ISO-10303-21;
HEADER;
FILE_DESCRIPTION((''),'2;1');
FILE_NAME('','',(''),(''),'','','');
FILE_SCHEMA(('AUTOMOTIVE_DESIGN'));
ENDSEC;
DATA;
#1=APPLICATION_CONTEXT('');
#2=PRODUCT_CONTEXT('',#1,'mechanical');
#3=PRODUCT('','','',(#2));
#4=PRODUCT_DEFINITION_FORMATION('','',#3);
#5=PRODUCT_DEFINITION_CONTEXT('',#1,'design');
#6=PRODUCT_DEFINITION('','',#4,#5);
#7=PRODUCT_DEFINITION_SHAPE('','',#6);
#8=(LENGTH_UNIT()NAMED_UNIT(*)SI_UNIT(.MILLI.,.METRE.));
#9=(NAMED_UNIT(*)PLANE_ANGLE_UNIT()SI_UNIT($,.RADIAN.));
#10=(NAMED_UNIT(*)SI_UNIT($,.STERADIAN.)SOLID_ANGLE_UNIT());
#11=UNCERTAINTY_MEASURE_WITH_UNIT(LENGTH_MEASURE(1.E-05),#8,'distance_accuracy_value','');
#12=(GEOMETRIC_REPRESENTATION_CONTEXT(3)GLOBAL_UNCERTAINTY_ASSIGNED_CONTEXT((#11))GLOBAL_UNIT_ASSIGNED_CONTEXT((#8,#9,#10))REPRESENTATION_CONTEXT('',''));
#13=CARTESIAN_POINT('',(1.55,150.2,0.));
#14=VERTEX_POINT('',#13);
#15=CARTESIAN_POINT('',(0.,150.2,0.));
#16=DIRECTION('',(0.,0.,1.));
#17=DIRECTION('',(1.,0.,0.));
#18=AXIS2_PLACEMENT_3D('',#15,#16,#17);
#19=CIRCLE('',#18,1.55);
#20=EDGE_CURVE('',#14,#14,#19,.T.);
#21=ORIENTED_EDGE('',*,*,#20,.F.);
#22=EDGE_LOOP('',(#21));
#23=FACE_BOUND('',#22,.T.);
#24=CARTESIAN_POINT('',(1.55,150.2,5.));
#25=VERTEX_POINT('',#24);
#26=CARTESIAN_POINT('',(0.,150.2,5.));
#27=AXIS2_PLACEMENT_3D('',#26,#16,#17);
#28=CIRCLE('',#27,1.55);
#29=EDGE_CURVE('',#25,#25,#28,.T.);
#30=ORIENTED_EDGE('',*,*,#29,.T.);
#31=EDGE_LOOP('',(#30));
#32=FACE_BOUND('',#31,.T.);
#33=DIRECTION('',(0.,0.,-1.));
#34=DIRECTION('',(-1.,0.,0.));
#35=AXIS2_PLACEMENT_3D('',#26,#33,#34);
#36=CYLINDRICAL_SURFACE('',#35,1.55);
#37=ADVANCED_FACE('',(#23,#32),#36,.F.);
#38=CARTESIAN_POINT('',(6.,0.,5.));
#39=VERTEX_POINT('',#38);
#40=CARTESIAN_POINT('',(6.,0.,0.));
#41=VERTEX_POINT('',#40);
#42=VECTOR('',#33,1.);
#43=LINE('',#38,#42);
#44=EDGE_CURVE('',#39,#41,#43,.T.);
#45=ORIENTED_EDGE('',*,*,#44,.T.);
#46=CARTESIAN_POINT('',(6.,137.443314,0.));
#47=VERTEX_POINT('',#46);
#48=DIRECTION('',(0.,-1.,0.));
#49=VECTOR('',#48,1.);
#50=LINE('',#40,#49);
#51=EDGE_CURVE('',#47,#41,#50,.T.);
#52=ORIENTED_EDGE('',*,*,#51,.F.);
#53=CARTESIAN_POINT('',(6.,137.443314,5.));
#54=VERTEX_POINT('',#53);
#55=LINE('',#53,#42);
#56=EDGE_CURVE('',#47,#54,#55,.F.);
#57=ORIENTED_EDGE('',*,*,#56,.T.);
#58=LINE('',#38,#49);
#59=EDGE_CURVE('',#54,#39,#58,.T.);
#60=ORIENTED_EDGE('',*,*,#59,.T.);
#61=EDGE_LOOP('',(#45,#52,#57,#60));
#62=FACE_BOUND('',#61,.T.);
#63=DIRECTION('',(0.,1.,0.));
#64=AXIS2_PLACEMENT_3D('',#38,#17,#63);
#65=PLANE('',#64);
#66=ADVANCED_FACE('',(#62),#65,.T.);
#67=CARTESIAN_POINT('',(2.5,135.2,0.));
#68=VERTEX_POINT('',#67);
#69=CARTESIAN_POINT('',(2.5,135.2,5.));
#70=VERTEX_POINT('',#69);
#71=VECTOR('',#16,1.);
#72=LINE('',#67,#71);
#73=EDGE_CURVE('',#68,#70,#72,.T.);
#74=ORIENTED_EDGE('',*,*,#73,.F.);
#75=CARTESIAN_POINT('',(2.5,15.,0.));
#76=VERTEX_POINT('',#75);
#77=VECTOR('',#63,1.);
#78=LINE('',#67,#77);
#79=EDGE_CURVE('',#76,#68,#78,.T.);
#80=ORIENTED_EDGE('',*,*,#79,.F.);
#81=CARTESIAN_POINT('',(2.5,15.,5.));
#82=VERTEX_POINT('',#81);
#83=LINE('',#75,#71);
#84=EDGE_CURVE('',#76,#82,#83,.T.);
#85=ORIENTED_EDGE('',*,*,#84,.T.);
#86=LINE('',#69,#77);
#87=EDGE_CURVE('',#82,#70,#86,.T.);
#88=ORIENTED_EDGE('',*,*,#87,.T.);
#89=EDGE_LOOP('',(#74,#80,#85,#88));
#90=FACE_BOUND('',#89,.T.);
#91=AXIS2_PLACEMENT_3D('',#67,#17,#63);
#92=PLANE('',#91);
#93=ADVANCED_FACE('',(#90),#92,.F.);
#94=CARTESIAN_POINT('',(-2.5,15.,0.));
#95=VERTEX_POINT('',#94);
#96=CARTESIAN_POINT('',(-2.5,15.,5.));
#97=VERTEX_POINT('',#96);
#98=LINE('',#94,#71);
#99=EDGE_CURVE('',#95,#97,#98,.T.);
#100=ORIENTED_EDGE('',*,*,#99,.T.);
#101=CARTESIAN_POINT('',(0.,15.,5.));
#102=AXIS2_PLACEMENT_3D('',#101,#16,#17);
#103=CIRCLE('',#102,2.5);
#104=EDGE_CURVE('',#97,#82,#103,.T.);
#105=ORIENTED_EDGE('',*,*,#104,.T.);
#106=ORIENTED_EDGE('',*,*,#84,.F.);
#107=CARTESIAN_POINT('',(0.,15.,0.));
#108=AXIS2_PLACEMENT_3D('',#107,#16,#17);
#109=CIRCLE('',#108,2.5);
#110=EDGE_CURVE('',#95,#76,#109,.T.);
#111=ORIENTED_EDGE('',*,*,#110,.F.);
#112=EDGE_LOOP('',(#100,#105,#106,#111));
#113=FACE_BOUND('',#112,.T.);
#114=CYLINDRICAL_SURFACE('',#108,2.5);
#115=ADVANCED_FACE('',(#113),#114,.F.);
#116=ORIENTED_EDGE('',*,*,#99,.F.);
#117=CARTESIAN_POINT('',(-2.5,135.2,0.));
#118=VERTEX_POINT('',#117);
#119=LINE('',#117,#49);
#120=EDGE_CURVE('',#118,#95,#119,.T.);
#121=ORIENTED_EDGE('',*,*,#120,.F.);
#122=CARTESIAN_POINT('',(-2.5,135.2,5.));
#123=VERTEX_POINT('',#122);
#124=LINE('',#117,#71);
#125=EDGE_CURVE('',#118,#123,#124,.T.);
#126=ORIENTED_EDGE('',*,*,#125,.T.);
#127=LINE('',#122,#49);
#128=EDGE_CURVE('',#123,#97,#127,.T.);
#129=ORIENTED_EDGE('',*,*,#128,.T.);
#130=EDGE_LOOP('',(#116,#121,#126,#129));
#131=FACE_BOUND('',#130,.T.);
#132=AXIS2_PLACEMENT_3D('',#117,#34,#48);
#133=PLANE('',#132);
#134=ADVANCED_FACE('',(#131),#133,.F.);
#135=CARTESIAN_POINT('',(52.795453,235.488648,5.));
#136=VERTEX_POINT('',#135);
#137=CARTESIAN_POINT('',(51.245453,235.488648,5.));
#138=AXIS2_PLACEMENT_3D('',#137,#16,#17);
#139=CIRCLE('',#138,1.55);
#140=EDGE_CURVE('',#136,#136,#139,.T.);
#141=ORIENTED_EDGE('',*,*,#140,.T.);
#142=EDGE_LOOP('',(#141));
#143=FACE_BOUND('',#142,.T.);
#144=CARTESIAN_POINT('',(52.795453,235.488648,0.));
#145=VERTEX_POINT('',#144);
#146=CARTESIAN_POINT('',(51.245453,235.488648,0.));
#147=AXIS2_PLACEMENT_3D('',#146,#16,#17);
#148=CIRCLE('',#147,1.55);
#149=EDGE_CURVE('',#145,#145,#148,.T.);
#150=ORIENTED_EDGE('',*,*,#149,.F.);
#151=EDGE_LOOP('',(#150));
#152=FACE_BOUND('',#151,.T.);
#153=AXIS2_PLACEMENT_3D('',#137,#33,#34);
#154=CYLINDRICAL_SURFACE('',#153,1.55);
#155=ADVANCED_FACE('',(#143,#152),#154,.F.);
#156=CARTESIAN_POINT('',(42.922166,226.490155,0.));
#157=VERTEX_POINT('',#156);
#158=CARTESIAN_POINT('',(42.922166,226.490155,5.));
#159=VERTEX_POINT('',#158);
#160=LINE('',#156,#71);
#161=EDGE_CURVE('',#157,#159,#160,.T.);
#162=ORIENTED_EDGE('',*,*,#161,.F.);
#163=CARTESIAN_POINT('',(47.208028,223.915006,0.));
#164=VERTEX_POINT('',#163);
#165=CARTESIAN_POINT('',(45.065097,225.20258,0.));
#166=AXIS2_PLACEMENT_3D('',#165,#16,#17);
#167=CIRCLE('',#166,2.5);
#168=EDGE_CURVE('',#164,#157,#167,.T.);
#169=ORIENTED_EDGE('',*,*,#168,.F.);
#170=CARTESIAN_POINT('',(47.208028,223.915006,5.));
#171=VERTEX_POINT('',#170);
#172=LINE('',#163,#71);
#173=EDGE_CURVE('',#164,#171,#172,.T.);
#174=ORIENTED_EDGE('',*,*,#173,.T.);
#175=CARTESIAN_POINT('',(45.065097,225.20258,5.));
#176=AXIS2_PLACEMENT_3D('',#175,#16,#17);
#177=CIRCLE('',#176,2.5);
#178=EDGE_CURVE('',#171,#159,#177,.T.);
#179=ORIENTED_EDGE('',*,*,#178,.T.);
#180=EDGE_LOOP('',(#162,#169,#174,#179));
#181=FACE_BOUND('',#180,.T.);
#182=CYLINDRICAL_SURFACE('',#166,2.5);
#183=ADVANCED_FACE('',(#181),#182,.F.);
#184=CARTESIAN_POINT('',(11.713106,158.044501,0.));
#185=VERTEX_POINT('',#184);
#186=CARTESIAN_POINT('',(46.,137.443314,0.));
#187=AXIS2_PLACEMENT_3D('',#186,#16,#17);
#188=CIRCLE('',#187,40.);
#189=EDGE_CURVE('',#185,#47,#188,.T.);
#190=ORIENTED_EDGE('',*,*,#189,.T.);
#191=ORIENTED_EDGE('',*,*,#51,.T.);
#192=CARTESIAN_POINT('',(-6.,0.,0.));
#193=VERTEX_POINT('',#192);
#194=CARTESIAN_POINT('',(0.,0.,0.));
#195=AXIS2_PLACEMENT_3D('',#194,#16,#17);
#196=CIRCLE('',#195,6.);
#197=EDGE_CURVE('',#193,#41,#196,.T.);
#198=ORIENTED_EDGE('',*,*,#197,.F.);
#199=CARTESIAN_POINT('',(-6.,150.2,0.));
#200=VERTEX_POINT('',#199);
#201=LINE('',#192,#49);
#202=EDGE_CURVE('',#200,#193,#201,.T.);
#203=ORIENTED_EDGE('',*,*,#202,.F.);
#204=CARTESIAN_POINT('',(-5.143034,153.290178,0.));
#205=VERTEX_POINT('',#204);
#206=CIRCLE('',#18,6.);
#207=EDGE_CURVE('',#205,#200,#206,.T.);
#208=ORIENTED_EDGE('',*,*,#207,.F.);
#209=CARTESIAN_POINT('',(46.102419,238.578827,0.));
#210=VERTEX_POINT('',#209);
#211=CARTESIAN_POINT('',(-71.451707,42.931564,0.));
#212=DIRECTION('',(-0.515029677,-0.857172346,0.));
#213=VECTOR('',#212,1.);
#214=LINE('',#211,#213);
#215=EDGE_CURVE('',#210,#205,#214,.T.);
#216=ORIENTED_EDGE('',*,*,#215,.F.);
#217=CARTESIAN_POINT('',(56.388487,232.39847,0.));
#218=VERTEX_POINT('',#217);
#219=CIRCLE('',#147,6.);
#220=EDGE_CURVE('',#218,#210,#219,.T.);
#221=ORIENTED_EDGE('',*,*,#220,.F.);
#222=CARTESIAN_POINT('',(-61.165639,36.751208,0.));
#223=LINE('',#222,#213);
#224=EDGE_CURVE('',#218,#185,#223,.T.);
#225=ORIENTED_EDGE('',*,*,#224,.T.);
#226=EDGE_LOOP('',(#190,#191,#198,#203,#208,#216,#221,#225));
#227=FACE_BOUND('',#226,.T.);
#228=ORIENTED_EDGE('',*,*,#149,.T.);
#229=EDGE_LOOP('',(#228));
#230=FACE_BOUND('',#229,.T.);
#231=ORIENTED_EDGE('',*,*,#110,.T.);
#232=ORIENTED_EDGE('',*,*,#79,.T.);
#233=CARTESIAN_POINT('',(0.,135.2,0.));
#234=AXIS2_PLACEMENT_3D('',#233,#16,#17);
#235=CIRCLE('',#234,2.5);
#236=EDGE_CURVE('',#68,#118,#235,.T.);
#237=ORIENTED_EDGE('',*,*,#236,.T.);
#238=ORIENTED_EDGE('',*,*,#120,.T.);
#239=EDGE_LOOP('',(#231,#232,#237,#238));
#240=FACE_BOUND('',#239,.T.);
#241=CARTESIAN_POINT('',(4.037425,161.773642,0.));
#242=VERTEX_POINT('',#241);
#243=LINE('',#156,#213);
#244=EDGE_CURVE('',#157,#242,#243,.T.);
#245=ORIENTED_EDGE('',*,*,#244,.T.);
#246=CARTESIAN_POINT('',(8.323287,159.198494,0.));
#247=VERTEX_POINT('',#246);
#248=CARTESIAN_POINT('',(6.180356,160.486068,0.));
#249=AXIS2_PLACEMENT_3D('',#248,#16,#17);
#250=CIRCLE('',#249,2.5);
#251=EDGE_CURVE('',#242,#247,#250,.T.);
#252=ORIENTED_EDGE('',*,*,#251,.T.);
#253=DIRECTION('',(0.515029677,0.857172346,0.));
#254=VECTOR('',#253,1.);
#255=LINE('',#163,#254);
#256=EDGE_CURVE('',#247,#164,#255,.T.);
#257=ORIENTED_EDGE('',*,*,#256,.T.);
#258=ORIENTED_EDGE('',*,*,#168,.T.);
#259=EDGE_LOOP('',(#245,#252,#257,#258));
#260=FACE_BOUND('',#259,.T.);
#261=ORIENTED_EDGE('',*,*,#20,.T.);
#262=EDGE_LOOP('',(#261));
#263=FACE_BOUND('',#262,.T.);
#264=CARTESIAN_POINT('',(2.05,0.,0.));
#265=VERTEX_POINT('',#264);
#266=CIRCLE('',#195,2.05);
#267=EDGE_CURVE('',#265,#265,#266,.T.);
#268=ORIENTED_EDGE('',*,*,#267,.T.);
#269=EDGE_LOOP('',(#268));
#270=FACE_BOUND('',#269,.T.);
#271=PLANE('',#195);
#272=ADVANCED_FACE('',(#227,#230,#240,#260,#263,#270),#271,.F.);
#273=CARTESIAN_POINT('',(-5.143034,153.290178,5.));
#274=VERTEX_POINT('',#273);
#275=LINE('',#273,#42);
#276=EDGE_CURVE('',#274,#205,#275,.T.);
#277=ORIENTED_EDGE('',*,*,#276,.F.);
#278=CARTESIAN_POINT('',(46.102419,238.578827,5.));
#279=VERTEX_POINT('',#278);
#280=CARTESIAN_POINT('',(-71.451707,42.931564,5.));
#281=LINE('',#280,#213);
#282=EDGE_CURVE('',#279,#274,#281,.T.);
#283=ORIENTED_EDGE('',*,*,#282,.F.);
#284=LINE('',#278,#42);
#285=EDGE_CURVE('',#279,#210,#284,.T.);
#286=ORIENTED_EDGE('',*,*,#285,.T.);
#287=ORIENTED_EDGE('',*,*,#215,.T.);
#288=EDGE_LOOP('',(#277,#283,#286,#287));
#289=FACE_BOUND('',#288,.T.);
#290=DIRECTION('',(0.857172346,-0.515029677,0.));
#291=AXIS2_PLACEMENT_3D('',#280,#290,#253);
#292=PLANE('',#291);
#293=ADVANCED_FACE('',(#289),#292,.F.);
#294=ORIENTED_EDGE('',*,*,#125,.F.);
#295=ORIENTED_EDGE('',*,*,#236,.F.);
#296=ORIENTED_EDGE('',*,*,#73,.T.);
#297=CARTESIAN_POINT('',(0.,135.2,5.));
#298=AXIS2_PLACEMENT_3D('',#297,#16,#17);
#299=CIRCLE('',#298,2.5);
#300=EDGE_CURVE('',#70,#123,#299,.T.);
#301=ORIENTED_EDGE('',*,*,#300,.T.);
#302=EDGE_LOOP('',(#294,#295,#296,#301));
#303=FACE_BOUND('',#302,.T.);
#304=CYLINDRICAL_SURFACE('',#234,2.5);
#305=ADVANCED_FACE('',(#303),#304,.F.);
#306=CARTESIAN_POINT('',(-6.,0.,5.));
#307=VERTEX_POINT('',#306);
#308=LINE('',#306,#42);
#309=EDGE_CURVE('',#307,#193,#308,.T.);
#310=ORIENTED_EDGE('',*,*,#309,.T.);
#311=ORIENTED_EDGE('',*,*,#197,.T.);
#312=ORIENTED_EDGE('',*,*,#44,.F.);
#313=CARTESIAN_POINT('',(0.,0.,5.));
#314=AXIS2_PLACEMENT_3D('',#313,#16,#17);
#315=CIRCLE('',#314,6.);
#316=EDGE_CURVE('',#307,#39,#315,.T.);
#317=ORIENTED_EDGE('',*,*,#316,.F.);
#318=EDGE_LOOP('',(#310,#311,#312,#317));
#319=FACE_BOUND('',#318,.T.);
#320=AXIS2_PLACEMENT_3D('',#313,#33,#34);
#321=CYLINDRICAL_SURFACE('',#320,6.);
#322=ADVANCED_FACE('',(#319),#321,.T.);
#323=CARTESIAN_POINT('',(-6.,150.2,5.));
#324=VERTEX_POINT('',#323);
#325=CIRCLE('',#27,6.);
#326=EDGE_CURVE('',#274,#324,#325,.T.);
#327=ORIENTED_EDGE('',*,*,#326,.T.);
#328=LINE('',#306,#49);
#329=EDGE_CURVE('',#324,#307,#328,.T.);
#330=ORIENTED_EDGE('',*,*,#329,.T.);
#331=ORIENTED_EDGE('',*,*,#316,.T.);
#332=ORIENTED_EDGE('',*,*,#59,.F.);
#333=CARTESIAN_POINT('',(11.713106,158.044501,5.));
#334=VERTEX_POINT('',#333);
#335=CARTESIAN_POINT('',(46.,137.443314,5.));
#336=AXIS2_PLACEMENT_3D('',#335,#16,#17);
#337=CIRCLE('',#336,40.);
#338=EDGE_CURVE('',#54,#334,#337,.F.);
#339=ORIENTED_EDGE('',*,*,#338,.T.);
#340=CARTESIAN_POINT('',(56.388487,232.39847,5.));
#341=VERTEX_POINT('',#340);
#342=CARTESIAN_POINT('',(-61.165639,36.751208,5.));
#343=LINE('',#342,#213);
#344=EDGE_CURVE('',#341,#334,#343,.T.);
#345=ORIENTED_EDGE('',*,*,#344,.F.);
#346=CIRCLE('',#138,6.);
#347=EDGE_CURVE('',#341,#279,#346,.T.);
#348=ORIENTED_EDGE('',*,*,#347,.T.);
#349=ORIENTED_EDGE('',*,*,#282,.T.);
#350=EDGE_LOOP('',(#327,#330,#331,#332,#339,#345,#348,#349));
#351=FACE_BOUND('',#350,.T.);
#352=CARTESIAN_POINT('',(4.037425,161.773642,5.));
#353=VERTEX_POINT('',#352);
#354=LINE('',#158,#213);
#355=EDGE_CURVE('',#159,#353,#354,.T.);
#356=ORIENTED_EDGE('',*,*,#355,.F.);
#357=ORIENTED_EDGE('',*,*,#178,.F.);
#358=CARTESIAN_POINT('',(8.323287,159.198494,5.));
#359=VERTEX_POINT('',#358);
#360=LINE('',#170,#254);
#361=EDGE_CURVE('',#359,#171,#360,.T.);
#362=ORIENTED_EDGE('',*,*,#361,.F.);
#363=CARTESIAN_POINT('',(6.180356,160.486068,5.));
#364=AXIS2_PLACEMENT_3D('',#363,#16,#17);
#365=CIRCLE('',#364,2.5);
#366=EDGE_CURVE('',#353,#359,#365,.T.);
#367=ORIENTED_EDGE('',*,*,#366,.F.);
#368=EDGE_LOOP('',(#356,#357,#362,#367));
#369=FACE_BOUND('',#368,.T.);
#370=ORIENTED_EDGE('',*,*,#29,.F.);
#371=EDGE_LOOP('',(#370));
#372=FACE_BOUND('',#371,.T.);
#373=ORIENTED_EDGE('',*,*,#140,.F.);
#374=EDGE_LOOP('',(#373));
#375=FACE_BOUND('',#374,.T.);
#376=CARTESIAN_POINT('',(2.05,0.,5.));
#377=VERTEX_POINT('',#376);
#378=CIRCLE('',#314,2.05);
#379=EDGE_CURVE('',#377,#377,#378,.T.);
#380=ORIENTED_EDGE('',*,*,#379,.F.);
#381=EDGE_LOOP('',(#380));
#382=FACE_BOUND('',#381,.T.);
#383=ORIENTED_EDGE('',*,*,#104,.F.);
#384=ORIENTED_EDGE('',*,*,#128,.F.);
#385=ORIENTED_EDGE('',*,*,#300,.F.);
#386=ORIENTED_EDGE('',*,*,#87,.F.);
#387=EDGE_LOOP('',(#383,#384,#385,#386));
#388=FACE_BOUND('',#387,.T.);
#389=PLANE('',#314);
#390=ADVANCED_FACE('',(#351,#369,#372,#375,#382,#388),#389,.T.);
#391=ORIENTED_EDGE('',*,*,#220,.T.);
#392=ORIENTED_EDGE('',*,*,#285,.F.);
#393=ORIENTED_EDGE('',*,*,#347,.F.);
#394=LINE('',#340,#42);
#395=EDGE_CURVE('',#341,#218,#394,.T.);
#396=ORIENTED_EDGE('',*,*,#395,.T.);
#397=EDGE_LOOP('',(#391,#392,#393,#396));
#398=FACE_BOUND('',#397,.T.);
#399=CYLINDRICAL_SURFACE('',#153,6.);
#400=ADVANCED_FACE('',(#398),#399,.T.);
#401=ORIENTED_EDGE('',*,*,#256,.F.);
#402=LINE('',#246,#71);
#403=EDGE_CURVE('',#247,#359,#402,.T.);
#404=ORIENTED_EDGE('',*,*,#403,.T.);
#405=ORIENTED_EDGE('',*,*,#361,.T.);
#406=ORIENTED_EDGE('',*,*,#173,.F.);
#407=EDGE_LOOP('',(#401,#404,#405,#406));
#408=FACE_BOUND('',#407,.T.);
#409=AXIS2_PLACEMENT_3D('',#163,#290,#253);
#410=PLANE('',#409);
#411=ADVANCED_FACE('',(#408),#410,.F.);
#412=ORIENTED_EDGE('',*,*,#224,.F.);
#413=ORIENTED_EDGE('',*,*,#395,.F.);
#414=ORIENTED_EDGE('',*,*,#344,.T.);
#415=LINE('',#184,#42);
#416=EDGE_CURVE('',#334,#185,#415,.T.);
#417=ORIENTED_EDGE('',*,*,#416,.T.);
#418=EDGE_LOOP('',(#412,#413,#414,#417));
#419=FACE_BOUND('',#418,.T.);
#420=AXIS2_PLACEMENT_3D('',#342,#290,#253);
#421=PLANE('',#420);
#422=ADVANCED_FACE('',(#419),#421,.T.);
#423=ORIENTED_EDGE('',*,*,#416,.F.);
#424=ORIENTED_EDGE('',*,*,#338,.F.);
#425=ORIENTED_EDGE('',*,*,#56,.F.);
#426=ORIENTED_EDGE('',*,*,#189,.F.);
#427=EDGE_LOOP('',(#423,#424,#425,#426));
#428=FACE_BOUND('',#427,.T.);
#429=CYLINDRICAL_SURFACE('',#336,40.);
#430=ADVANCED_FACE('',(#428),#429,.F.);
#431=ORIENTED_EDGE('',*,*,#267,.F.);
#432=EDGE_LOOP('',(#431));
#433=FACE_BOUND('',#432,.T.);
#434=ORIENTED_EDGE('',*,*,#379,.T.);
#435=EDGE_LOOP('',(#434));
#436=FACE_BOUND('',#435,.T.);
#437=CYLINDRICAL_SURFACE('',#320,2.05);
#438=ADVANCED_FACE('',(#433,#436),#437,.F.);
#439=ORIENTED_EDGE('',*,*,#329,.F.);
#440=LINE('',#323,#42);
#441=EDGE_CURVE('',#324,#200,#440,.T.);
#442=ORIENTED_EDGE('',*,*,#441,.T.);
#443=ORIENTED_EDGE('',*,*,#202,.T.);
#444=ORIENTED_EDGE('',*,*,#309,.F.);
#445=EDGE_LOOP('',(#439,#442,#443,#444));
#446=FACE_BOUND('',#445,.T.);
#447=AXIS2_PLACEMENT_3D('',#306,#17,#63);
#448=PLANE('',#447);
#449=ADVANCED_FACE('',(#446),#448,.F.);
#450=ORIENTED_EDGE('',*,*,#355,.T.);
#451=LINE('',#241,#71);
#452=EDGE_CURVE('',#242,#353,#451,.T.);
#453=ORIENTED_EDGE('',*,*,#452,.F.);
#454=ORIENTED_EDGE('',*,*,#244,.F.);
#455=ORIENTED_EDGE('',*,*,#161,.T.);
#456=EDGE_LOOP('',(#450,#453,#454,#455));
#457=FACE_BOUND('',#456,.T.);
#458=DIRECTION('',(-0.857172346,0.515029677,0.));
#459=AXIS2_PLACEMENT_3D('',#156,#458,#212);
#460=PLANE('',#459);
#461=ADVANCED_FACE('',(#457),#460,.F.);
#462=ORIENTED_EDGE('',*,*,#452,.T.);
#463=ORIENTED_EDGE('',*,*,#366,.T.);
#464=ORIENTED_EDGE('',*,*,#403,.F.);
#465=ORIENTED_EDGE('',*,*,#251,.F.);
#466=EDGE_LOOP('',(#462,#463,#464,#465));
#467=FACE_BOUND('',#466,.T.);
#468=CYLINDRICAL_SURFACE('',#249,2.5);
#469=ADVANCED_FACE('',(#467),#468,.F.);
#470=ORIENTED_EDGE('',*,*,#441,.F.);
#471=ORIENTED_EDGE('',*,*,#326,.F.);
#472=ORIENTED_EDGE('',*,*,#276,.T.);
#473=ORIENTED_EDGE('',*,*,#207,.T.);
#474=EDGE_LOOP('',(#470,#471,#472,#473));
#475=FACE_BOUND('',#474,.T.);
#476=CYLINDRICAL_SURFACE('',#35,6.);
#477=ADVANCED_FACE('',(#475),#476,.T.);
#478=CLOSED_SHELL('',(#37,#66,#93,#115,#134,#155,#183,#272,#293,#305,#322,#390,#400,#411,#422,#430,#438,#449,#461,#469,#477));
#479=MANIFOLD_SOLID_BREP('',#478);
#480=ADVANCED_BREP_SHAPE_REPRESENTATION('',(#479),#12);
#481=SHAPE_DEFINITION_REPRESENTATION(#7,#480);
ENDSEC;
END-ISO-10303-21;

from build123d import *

# Parameters (mm, degrees)
SKETCH_1_R          = 6
SKETCH_1_R_2        = 2.05
SKETCH_1_R_3        = 1.55
EXTRUDE_1_DEPTH     = 5
FILLET_1_R          = 40
CUT_EXTRUDE_1_DEPTH = 249.231362274
CUT_EXTRUDE_2_DEPTH = 249.231362274


with BuildPart() as part:
    # 草图1 → 凸台-拉伸1 (new body)
    # profile 1 of 6: a face of its own
    with BuildSketch(Plane.XY):
        with BuildLine():
            Line((6, 0), (6, 148.536084387))
            Line((6, 148.536084387), (5.143034079, 147.109821936))
            ThreePointArc((5.143034079, 147.109821936), (-1.603401935, 144.418209427), (-6, 150.2))
            Line((-6, 150.2), (-6, 0))
            ThreePointArc((-6, 0), (0, 6), (6, 0))
        make_face()
    # profile 2 of 6: a face of its own
    with BuildSketch(Plane.XY):
        Circle(SKETCH_1_R)
        Circle(SKETCH_1_R_2, mode=Mode.SUBTRACT)
    # profile 3 of 6: a face of its own
    with BuildSketch(Plane.XY):
        with BuildLine():
            Line((6, 148.536084387), (56.388486973, 232.398470405))
            ThreePointArc((56.388486973, 232.398470405), (48.155274831, 230.34561439), (46.102418816, 238.578826533))
            Line((46.102418816, 238.578826533), (-5.143034079, 153.290178064))
            ThreePointArc((-5.143034079, 153.290178064), (1.603401935, 155.981790573), (6, 150.2))
            Line((6, 150.2), (6, 148.536084387))
        make_face()
    # profile 4 of 6: a face of its own
    with BuildSketch(Plane.XY):
        with Locations((51.245452895, 235.488648469)):
            Circle(SKETCH_1_R)
        with Locations((51.245452895, 235.488648469)):
            Circle(SKETCH_1_R_3, mode=Mode.SUBTRACT)
    # profile 5 of 6: a face of its own
    with BuildSketch(Plane.XY):
        with Locations((0, 150.2)):
            Circle(SKETCH_1_R)
        with Locations((0, 150.2)):
            Circle(SKETCH_1_R_3, mode=Mode.SUBTRACT)
    # profile 6 of 6: a face of its own
    with BuildSketch(Plane.XY):
        with BuildLine():
            Line((5.143034079, 147.109821936), (6, 148.536084387))
            Line((6, 148.536084387), (6, 150.2))
            ThreePointArc((6, 150.2), (5.781790573, 148.596598065), (5.143034079, 147.109821936))
        make_face()
    extrude(amount=EXTRUDE_1_DEPTH)

    # 圆角1
    fillet_1_edges = [part.edges().sort_by_distance(p)[0] for p in [
        (6, 148.536084387, 2.5),
    ]]
    fillet(fillet_1_edges, radius=FILLET_1_R)

    # 草图3 → 切除-拉伸1 (cut, through all)
    with BuildSketch(Plane.XY.offset(5)):
        with BuildLine():
            Line((2.5, 135.2), (2.5, 15))
            ThreePointArc((2.5, 15), (0, 12.5), (-2.5, 15))
            Line((-2.5, 15), (-2.5, 135.2))
            ThreePointArc((-2.5, 135.2), (0, 137.7), (2.5, 135.2))
        make_face()
    extrude(amount=-CUT_EXTRUDE_1_DEPTH, mode=Mode.SUBTRACT)

    # 草图4 → 切除-拉伸2 (cut, through all)
    with BuildSketch(Plane.XY.offset(5)):
        with BuildLine():
            Line((47.208027633, 223.915006118), (8.323286994, 159.198493964))
            ThreePointArc((8.323286994, 159.198493964), (4.892781935, 158.343137291), (4.037425262, 161.77364235))
            Line((4.037425262, 161.77364235), (42.922165901, 226.490154505))
            ThreePointArc((42.922165901, 226.490154505), (46.35267096, 227.345511178), (47.208027633, 223.915006118))
        make_face()
    extrude(amount=-CUT_EXTRUDE_2_DEPTH, mode=Mode.SUBTRACT)


solid = part.part
